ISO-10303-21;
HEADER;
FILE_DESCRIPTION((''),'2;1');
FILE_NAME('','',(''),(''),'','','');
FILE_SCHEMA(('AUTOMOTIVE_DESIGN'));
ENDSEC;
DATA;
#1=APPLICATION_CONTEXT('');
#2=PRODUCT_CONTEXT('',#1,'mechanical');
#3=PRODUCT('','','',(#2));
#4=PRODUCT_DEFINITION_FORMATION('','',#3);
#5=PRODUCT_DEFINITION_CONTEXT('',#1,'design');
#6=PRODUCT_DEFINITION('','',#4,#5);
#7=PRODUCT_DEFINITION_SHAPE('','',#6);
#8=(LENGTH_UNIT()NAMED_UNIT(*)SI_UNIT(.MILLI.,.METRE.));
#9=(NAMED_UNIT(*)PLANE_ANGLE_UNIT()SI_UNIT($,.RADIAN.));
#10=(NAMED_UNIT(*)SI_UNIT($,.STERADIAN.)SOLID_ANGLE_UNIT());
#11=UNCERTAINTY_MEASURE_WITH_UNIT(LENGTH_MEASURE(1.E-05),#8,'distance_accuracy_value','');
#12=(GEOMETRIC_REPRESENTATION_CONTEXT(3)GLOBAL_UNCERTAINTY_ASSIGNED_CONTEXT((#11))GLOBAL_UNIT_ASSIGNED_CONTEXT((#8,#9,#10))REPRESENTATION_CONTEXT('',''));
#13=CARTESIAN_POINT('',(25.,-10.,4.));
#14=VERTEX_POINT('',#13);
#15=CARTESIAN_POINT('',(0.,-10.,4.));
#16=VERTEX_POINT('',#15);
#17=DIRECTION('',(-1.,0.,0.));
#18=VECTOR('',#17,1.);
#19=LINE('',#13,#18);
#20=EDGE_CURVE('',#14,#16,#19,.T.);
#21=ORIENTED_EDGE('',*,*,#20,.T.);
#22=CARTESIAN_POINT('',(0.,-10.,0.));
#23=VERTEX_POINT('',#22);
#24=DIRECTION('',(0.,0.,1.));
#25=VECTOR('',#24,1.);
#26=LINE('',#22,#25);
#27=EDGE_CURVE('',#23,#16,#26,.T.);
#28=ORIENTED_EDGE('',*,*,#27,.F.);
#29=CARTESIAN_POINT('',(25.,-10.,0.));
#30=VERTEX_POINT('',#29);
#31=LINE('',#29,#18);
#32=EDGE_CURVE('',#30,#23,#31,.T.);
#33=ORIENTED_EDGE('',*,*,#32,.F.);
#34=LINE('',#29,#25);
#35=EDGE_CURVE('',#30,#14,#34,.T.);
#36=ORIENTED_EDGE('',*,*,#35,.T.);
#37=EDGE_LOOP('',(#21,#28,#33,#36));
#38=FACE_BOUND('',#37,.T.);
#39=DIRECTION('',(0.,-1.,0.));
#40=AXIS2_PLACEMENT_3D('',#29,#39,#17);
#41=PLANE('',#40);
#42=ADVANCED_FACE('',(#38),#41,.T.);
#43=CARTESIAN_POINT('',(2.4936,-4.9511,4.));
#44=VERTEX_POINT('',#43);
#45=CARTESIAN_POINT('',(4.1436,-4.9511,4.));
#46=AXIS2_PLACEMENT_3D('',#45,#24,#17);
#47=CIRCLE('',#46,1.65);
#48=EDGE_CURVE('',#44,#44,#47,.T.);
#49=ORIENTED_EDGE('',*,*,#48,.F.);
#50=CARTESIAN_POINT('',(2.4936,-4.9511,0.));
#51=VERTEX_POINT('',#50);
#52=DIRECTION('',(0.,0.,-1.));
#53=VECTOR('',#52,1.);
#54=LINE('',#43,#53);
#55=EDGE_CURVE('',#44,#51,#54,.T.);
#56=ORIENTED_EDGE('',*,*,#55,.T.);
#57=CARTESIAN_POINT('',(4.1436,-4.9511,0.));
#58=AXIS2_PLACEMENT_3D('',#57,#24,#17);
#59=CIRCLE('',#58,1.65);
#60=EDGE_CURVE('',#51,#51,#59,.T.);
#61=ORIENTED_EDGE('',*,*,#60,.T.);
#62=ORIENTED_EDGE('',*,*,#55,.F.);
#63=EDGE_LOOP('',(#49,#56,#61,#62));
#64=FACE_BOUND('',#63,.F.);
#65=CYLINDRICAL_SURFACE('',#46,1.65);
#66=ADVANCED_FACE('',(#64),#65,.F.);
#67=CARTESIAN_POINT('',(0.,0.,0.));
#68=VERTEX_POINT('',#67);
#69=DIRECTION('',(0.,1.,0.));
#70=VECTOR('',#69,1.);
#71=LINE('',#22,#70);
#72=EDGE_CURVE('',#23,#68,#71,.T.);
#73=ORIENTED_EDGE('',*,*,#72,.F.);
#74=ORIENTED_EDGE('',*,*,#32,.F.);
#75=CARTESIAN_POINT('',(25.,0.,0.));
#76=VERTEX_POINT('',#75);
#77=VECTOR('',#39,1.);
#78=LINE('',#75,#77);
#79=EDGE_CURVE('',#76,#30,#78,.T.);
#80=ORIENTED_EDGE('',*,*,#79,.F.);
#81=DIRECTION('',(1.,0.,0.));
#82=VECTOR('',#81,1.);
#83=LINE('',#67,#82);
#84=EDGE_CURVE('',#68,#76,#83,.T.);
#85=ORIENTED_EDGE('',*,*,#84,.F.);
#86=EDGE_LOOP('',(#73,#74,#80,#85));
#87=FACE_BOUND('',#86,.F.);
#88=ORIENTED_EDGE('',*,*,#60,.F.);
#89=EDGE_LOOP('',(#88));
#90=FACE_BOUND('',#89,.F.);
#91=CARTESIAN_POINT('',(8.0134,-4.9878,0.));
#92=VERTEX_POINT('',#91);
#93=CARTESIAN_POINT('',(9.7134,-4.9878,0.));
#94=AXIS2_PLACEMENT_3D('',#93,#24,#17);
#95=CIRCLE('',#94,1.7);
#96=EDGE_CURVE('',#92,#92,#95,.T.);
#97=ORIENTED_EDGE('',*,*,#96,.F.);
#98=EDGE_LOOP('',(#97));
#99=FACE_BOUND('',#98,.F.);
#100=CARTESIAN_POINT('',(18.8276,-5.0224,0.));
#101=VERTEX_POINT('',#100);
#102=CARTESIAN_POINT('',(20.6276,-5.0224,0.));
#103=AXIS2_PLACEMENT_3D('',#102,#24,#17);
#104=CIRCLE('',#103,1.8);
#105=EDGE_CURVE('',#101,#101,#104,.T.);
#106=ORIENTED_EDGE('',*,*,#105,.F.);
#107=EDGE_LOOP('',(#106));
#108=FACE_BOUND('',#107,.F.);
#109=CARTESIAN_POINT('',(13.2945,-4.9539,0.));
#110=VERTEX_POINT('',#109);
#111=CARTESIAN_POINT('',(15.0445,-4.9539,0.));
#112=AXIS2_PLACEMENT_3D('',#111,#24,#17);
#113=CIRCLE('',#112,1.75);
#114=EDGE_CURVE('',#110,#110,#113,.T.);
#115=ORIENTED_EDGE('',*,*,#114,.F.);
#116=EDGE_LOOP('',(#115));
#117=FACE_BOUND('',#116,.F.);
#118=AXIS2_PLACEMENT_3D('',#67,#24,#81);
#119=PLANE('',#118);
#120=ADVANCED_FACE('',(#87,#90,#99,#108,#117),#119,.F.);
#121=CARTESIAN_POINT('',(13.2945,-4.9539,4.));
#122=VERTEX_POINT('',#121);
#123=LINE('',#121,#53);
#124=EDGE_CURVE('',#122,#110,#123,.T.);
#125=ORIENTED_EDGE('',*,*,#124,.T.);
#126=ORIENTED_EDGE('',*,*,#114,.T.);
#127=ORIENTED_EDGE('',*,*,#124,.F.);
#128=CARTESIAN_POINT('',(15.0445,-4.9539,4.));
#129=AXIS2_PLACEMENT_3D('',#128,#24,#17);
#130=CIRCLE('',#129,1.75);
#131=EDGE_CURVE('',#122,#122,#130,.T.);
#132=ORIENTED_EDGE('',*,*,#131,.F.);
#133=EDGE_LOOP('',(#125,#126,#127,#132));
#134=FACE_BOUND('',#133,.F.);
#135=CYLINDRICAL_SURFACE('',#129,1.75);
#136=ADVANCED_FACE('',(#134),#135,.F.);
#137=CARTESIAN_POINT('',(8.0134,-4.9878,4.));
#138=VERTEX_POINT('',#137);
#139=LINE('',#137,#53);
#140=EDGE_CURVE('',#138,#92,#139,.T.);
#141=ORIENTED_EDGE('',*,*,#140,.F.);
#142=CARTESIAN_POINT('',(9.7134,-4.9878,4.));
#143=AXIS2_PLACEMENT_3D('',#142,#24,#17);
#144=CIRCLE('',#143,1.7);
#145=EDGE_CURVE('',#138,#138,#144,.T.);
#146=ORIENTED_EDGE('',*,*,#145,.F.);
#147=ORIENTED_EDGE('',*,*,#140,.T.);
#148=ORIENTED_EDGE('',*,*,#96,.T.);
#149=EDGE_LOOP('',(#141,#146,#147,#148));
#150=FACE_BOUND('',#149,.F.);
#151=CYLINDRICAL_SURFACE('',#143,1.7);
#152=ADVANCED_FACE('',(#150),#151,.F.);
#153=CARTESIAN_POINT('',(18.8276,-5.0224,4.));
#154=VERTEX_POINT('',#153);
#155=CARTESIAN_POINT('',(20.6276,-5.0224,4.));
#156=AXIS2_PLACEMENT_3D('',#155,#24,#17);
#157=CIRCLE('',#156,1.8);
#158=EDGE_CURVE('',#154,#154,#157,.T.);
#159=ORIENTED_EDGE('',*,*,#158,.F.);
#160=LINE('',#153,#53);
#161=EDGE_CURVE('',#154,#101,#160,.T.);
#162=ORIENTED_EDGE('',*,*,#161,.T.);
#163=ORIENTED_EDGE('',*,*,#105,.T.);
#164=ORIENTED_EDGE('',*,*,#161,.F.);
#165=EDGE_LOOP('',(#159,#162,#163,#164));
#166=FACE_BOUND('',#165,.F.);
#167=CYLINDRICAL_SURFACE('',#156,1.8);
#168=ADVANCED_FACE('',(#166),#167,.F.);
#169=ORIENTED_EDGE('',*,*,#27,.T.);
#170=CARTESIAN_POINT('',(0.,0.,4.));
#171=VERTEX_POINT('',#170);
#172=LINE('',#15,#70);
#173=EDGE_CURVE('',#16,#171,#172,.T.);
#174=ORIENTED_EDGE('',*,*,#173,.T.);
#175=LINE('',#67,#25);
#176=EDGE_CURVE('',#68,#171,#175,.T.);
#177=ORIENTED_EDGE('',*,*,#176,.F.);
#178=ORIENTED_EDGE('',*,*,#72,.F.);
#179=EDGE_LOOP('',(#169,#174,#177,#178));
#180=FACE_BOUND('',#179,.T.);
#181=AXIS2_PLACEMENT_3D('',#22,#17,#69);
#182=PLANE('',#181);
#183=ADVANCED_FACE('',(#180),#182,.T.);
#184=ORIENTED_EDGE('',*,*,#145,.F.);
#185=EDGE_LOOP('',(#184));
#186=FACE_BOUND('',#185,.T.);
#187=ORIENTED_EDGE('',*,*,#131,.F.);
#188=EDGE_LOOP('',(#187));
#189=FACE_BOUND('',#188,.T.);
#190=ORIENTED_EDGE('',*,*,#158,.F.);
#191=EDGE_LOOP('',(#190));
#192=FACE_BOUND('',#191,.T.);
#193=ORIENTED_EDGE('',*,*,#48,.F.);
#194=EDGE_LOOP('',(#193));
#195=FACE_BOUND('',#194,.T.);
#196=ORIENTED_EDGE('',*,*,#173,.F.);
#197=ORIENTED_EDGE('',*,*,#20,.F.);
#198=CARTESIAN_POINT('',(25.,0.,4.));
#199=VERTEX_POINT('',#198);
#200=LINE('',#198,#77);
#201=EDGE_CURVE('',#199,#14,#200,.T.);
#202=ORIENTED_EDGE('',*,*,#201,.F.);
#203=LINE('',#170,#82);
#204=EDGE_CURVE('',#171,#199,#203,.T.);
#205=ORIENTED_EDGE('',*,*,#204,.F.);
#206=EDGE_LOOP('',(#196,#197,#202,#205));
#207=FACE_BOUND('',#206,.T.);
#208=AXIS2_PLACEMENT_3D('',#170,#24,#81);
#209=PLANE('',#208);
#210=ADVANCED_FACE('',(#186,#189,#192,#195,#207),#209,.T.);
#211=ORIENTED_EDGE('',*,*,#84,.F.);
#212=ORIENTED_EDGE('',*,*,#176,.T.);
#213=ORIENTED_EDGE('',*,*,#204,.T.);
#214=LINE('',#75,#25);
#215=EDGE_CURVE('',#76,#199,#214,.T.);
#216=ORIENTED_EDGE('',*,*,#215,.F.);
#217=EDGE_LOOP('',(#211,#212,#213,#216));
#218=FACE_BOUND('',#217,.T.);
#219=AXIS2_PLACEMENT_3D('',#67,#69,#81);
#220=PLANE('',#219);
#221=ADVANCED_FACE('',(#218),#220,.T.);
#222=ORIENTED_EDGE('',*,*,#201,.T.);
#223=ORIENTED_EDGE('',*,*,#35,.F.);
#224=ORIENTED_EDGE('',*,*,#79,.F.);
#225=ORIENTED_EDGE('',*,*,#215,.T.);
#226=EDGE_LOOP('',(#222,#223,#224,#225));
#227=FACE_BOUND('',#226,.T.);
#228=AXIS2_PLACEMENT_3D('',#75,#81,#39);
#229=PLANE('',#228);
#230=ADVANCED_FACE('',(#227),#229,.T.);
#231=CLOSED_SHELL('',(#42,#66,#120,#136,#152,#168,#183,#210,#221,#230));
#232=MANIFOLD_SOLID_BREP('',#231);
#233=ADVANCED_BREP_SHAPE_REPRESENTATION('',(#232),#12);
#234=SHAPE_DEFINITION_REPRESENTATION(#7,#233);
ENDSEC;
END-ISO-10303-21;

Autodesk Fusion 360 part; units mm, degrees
sketch "Sketch1" plane through (0, 0, 0) normal (0, 0, 1) x (1, 0, 0)
  line L0 (0, 0) -> (25, 0)
  line L1 (25, 0) -> (25, -10)
  line L2 (25, -10) -> (0, -10)
  line L3 (0, -10) -> (0, 0)
  dimension "d9" = 25
extrude "Extrude1" add sketch "Sketch1" along normal blind 4
sketch "Sketch2" plane through (0, 0, 4) normal (0, 0, 1) x (-1, 0, 0)
  line L0 (0, 10) -> (-25, 10)
  line L1 (-25, 10) -> (-25, 0)
  line L2 (-25, 0) -> (0, 0)
  line L3 (0, 0) -> (0, 10)
  circle A0 centre (-4.1436, 4.9511) radius 1.65
  circle A1 centre (-9.7134, 4.9878) radius 1.7
  circle A2 centre (-15.0445, 4.9539) radius 1.75
  circle A3 centre (-20.6276, 5.0224) radius 1.8
  dimension "d3" = 3.3
  dimension "d4" = 3.4
  dimension "d5" = 3.5
  dimension "d6" = 3.6
extrude "Extrude2" cut sketch "Sketch2" against normal blind 7 contours A0 | A1 | A2 | A3
